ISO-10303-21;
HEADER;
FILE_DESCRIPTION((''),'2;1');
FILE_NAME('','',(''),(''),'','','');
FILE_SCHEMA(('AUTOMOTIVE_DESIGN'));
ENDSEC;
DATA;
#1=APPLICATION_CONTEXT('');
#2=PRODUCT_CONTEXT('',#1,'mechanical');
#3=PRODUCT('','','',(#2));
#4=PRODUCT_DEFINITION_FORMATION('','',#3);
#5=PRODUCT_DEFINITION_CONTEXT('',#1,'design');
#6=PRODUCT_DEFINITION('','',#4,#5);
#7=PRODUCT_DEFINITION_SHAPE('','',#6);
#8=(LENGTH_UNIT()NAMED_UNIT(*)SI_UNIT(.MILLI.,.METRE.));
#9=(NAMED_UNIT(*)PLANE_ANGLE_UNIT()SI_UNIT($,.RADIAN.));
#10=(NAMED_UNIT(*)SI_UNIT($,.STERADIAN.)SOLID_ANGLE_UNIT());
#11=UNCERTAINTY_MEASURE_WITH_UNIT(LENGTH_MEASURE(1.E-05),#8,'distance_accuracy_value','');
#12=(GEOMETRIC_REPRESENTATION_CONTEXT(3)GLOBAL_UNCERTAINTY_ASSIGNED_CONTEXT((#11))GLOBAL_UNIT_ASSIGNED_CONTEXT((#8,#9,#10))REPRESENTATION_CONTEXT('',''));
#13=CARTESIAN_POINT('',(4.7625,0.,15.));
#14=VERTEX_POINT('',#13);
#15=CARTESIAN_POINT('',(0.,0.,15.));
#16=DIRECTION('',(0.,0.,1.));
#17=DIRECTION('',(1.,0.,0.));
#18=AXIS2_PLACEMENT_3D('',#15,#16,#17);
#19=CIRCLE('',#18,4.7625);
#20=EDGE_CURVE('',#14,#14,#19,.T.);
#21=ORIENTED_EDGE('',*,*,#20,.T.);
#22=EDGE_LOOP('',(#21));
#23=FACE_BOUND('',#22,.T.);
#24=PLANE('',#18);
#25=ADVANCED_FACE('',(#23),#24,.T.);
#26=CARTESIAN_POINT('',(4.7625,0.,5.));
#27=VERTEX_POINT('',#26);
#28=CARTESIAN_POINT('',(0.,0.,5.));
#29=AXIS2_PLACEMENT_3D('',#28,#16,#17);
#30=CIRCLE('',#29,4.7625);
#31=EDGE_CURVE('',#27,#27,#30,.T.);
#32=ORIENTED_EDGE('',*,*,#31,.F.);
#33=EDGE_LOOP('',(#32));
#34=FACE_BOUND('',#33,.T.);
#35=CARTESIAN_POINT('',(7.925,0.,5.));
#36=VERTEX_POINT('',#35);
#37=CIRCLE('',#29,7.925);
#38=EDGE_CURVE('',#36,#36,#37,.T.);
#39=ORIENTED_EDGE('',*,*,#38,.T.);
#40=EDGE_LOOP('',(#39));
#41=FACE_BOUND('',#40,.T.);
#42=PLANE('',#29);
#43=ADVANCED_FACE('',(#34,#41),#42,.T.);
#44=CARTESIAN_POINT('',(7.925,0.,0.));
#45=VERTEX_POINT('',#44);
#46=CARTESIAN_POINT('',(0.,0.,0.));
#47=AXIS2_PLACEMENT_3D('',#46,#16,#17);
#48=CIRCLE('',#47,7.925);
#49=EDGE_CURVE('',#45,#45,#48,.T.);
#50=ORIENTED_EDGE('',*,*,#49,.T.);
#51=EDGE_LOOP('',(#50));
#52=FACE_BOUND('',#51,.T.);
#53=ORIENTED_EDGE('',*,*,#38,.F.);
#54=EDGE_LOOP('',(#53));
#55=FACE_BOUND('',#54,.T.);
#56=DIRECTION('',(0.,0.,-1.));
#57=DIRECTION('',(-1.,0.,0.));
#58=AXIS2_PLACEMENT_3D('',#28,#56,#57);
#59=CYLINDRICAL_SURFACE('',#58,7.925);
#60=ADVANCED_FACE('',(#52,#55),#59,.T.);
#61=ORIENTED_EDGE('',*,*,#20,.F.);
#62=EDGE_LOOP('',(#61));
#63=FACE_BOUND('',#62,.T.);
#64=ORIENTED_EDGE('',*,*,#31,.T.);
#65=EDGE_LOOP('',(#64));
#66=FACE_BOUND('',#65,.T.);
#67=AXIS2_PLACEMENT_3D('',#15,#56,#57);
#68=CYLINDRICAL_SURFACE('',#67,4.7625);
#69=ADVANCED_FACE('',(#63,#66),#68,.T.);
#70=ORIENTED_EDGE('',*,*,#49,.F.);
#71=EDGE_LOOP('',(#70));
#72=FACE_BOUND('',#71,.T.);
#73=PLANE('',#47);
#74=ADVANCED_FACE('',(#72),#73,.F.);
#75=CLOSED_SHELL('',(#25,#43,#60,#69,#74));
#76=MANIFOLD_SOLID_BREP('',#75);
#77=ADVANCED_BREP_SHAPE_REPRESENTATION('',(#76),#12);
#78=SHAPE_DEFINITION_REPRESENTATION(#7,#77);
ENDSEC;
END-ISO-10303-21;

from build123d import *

# Parameters (mm, degrees)
SKETCH1_R      = 7.925
EXTRUDE1_DEPTH = 5
SKETCH2_R      = 4.7625
EXTRUDE2_DEPTH = 10


with BuildPart() as part:
    # Sketch1 → Extrude1 (new body)
    with BuildSketch(Plane.XY):
        Circle(SKETCH1_R)
    extrude(amount=EXTRUDE1_DEPTH)

    # Sketch2 → Extrude2 (add)
    with BuildSketch(Plane.XY.offset(5)):
        Circle(SKETCH2_R)
    extrude(amount=EXTRUDE2_DEPTH)


solid = part.part
